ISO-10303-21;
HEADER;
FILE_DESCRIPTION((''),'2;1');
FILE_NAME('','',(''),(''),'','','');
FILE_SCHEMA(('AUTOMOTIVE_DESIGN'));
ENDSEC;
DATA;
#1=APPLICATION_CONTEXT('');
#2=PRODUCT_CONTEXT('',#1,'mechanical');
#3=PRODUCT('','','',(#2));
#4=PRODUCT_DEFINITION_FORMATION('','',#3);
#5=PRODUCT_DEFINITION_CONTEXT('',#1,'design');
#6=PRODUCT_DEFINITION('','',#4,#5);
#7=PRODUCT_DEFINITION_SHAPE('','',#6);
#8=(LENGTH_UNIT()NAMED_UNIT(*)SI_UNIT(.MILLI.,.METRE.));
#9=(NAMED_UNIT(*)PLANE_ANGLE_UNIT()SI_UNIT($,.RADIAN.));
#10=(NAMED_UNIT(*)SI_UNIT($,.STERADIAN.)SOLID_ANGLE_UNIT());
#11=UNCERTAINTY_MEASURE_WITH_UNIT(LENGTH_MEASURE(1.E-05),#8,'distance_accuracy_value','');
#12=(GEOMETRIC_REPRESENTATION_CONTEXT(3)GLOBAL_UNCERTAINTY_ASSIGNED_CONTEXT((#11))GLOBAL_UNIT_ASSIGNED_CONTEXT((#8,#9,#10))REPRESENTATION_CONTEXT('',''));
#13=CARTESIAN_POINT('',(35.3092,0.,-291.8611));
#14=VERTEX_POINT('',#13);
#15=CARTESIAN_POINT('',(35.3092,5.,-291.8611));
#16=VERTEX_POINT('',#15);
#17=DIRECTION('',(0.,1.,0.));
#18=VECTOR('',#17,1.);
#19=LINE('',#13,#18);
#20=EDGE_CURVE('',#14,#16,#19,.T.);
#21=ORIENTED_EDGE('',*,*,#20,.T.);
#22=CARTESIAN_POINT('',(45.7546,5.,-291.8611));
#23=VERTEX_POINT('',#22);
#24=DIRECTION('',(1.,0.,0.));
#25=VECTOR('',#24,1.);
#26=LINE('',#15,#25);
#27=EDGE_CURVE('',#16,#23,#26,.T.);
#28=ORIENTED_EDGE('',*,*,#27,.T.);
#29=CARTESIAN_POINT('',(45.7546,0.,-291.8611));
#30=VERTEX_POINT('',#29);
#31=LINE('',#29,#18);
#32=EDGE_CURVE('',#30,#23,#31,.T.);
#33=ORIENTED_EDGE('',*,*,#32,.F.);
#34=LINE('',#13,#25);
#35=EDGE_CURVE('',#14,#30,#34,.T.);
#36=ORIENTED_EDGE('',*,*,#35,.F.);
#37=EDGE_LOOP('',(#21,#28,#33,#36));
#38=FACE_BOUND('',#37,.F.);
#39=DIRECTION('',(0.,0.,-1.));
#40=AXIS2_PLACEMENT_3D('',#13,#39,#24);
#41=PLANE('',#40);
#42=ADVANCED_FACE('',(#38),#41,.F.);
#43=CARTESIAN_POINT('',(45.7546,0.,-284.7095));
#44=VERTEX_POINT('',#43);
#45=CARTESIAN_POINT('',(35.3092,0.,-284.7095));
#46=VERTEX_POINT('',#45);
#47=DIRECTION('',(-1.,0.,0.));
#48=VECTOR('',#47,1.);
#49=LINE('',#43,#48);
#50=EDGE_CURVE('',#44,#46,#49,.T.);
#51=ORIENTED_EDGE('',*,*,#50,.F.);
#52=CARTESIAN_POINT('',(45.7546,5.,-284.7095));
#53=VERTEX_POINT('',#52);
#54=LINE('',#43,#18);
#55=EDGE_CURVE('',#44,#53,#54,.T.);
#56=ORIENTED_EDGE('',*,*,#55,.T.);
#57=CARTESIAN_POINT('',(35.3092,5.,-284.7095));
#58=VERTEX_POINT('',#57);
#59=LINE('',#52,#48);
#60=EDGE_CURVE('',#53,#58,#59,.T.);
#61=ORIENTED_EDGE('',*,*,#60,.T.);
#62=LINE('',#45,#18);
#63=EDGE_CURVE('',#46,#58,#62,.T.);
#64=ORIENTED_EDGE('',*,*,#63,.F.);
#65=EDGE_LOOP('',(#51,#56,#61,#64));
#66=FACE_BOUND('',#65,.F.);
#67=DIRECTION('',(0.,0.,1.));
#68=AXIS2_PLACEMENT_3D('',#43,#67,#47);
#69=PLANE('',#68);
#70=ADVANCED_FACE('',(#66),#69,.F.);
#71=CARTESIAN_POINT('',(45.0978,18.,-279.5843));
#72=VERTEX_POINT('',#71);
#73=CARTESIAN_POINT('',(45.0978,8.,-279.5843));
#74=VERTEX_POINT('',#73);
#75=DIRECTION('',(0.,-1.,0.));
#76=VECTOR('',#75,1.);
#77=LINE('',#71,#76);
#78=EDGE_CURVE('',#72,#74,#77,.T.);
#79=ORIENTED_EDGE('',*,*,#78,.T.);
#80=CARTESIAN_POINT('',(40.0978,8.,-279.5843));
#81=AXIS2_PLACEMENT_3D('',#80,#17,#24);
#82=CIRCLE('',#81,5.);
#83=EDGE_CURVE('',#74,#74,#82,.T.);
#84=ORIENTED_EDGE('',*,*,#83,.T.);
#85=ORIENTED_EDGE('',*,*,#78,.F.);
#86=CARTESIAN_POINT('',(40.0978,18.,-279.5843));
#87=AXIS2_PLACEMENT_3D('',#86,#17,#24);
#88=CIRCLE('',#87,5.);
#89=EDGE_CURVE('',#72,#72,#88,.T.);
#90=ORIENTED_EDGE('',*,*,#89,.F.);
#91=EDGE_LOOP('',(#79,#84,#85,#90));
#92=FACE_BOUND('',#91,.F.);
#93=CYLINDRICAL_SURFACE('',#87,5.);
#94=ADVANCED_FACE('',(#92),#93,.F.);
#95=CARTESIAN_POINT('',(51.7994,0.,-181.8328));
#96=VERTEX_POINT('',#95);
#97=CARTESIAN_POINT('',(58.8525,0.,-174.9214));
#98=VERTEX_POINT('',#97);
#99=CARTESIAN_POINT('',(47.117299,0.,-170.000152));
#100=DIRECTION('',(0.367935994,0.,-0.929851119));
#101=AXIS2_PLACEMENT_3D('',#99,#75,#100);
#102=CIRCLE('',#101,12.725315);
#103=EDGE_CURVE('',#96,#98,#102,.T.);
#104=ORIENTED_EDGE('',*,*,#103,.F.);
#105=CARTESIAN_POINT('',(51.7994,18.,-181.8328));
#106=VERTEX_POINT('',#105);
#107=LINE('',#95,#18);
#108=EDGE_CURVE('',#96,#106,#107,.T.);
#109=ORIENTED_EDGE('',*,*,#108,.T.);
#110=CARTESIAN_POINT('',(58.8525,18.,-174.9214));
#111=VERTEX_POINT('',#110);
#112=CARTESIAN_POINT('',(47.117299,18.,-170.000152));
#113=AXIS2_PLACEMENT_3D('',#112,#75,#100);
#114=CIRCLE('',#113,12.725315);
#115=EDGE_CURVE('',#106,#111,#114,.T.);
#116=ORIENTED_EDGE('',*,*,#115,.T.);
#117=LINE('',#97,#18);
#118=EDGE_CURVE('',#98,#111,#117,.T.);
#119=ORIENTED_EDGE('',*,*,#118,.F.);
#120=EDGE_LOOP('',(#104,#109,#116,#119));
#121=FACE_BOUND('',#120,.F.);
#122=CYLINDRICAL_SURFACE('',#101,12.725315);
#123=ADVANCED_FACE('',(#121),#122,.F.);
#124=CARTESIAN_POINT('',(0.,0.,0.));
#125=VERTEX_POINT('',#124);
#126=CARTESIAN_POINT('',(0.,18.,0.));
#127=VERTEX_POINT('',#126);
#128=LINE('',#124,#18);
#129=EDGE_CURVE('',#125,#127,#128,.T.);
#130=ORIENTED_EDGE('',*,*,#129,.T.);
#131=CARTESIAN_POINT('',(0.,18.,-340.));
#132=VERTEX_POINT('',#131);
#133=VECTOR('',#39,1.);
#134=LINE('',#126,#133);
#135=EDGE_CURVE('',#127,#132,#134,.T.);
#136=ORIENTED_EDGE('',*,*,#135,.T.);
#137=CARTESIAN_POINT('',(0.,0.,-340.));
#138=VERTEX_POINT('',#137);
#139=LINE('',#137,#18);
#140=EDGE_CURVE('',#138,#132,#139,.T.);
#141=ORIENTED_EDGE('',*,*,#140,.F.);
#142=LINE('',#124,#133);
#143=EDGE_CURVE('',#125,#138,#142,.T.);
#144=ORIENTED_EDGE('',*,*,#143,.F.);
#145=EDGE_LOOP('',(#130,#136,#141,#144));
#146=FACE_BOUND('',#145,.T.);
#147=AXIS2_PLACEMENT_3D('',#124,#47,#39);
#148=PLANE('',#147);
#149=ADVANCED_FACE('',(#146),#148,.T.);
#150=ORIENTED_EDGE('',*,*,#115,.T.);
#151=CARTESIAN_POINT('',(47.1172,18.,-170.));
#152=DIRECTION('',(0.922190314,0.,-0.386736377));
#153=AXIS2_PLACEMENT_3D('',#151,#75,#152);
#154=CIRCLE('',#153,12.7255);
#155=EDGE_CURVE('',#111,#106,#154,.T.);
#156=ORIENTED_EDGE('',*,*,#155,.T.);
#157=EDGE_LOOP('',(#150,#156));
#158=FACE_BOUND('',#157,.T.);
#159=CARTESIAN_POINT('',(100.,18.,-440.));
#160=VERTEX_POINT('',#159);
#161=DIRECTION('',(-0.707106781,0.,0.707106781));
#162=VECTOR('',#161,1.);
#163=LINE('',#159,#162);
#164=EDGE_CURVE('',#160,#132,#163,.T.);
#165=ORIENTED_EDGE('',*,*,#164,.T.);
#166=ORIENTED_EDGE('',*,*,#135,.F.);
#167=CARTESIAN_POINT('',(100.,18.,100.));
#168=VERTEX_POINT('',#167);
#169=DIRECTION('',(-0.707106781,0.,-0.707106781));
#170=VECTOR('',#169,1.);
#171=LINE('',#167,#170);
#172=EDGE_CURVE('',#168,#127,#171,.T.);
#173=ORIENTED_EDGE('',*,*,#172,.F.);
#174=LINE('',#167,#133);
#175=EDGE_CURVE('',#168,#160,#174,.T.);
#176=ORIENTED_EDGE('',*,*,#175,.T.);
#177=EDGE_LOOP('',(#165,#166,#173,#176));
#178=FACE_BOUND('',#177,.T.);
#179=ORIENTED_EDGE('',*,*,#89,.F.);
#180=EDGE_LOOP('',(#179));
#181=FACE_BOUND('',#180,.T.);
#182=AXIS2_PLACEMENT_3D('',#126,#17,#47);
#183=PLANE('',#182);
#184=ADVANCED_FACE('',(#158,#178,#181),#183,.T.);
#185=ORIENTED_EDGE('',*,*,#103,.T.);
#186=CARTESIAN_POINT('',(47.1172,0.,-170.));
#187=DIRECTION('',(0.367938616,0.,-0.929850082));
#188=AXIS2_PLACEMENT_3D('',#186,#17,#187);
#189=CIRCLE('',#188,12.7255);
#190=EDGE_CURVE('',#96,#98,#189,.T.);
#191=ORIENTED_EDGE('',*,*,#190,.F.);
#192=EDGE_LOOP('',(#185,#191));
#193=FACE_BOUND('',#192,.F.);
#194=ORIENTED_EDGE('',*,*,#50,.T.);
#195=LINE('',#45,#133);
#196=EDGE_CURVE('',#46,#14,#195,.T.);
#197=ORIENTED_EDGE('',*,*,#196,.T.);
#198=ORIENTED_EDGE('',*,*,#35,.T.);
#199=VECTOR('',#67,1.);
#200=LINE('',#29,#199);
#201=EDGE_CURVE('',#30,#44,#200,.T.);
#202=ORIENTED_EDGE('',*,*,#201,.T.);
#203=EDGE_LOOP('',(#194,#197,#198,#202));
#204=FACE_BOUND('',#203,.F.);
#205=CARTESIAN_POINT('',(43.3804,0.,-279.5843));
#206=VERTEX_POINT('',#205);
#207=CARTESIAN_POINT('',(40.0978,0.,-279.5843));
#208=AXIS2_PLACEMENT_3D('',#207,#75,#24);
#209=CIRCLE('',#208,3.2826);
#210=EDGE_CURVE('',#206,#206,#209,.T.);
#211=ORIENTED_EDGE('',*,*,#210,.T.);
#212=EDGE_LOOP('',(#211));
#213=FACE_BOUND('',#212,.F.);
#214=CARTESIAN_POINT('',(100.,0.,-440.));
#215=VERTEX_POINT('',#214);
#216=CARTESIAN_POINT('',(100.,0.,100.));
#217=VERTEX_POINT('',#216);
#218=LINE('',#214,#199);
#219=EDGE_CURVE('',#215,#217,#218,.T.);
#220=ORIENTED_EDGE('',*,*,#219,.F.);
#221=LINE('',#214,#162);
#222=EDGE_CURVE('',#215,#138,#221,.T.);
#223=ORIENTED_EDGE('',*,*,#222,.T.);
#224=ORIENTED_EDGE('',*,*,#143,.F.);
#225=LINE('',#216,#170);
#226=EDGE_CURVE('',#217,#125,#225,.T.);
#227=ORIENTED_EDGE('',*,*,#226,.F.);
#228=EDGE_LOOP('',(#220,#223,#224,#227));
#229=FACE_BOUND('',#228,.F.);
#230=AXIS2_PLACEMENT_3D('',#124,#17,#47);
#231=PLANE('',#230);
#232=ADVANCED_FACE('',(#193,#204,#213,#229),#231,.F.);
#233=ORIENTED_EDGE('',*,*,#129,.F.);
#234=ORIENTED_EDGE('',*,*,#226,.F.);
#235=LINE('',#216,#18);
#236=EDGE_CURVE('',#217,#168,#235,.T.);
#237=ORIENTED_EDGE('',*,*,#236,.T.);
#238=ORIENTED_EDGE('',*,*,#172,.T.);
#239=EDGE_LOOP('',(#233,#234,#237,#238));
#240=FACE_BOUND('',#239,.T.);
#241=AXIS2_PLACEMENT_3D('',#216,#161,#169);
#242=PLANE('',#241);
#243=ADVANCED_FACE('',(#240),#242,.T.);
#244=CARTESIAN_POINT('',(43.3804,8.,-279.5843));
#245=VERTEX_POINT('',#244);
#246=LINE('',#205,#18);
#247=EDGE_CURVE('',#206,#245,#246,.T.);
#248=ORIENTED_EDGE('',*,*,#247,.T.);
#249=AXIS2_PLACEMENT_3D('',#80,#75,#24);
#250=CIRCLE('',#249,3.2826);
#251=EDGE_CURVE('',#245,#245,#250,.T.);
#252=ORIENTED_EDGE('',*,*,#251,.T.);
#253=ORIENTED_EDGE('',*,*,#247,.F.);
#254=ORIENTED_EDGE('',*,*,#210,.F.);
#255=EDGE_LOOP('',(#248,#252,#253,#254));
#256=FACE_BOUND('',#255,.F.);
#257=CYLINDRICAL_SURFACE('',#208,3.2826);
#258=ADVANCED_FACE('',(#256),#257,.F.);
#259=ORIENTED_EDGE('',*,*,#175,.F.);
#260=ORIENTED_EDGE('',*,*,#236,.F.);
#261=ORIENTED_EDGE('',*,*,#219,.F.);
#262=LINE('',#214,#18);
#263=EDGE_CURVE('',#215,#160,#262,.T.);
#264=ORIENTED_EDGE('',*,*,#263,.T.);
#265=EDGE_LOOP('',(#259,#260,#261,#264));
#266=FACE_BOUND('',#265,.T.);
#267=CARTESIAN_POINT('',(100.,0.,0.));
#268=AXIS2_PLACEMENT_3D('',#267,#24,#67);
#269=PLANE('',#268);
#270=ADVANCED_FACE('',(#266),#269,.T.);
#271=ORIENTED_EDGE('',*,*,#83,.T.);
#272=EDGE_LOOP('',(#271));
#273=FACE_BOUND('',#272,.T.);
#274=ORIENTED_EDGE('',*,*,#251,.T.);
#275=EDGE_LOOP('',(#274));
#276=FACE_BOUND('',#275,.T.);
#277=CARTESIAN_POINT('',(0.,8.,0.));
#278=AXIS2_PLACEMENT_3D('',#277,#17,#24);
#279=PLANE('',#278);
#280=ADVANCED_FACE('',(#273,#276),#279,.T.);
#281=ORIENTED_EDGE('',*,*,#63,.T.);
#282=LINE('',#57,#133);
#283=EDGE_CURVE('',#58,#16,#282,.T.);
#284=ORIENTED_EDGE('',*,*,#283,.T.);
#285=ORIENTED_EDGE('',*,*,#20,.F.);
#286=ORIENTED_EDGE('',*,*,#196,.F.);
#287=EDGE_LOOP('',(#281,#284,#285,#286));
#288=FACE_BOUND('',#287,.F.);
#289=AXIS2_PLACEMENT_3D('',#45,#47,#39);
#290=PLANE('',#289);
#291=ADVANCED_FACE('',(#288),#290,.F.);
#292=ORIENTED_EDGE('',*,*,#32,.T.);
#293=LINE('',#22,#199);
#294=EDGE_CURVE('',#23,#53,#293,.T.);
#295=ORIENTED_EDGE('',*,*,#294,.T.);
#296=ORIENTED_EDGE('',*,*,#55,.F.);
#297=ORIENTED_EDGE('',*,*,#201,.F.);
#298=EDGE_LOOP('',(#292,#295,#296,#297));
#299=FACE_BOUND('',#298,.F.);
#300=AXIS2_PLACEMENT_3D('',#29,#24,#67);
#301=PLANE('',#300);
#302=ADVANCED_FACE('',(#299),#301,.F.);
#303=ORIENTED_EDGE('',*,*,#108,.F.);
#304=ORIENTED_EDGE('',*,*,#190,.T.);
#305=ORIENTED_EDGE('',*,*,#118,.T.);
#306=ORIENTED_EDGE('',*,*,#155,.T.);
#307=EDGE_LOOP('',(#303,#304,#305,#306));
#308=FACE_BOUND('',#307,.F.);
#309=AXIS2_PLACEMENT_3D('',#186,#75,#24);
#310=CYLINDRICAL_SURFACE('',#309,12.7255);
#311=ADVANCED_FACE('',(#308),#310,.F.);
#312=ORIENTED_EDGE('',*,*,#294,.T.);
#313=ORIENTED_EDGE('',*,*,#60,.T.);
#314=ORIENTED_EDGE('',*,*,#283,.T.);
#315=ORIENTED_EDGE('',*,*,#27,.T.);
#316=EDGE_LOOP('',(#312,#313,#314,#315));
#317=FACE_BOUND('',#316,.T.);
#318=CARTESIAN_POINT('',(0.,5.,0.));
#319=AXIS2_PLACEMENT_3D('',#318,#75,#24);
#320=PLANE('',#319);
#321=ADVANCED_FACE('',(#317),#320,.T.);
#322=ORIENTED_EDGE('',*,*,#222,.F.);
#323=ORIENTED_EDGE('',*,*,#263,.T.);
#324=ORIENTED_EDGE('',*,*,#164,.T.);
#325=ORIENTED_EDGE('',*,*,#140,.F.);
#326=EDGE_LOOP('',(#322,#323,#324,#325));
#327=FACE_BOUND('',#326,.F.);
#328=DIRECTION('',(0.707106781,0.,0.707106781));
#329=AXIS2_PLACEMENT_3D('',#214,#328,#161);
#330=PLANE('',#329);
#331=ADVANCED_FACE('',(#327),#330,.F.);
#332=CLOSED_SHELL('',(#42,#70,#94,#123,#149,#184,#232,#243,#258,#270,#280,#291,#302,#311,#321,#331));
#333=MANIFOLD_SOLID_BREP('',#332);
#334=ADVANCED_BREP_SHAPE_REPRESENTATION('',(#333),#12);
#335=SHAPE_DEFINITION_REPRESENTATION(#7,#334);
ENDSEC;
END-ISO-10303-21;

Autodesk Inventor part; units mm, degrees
ref_plane "YZ Plane" through (0, 0, 0) normal (1, 0, 0) x (0, 1, 0)
ref_plane "XZ Plane" through (0, 0, 0) normal (0, 1, 0) x (-1, 0, 0)
ref_plane "XY Plane" through (0, 0, 0) normal (0, 0, 1) x (1, 0, 0)
sketch "Sketch1" plane through (0, 0, 0) normal (0, 1, 0) x (-1, 0, 0)
  line L0 (0, 0) -> (0, -340)
  line L1 (0, 0) -> (-100, 0)
  line L2 (-100, 0) -> (-100, 100)
  line L3 (-100, 100) -> (0, 0)
  line L4 (0, -340) -> (-100, -340)
  line L5 (-100, -340) -> (-100, -440)
  line L6 (-100, -440) -> (0, -340)
  line L7 (-100, -340) -> (-100, 0)
  dimension "d0" = 340
  dimension "d1" = 100
  dimension "d2" = 100
  dimension "d3" = 100
  dimension "d4" = 100
extrude "Extrusion1" add sketch "Sketch1" along normal blind 18
sketch "Sketch2" plane through (0, 0, 0) normal (0, -1, 0) x (1, 0, 0)
  line L0 (70, -367.7995) -> (70, -407.7995)
  line L1 (25, 17.2005) -> (25, -362.7995)
  arc A0 (51.7994, -181.8328) -> (58.8525, -174.9214) centre (47.1172, -170) ccw
  circle A1 centre (47.1172, -170) radius 12.7255
  line L2 (0, -340) -> (100, -440)
  line L3 (100, 100) -> (0, 0)
  line L4 (100, -440) -> (100, 100)
  line L5 (0, 0) -> (0, -340)
  line L6 (100, 100) -> (100, -440) projected
  line L7 (100, -170) -> (0, -170)
  point P0 (30, 22.2005)
extrude "Extrusion2" cut sketch "Sketch2" against normal blind 20 contours A1 L7 A0 | A1 L7
sketch "Sketch4" plane through (0, 18, 0) normal (0, 1, 0) x (1, 0, 0)
  circle A0 centre (40.0978, 279.5843) radius 3.2826
  line L0 (35.3115, 284.709) -> (45.7543, 284.709)
  line L1 (45.7543, 284.709) -> (45.7543, 291.8643)
  line L2 (45.7543, 291.8643) -> (35.3115, 291.8643)
  line L3 (35.3115, 291.8643) -> (35.3115, 284.709)
  line L4 (0, 340) -> (0, 0)
  line L5 (0, 340) -> (100, 440)
  line L6 (100, -100) -> (100, 440)
  line L7 (100, -100) -> (0, 0)
  dimension "d24" = 6.5652
extrude "Extrusion4" cut sketch "Sketch4" against normal blind 10 contours A0
sketch "Sketch6" plane through (0, 0, 0) normal (0, -1, 0) x (1, 0, 0)
  circle A0 centre (40.0978, -279.5843) radius 3.2826 projected
  circle A1 centre (40.0978, -279.5843) radius 3.2826 projected
  circle A2 centre (40.0978, -279.5843) radius 5
  point P0 (0, 0)
  dimension "d14" = 10
sketch "Sketch7" plane through (0, 18, 0) normal (0, 1, 0) x (1, 0, 0)
  circle A0 centre (40.0978, 279.5843) radius 3.2826
  line L0 (35.3115, 284.709) -> (45.7543, 284.709)
  line L1 (45.7543, 284.709) -> (45.7543, 291.8643)
  line L2 (45.7543, 291.8643) -> (35.3115, 291.8643)
  line L3 (35.3115, 291.8643) -> (35.3115, 284.709)
  line L4 (0, 340) -> (0, 0)
  line L5 (0, 340) -> (100, 440)
  line L6 (100, -100) -> (100, 440)
  line L7 (100, -100) -> (0, 0)
  circle A1 centre (40.0978, 279.5843) radius 5
  dimension "d19" = 10
extrude "Extrusion7" cut sketch "Sketch7" against normal blind 10 contours A0 | A1
extrude "Extrusion8" cut sketch "Sketch6" against normal blind 18 contours A0
sketch "Sketch9" plane through (0, 0, 0) normal (0, -1, 0) x (1, 0, 0)
  circle A0 centre (40.0978, -279.5843) radius 3.2826 projected
  circle A1 centre (47.1172, -170) radius 12.7255 projected
  line L0 (0, 0) -> (100, 100) projected
  line L1 (0, -340) -> (0, 0) projected
  line L2 (100, -440) -> (0, -340) projected
  line L3 (100, 100) -> (100, -440) projected
  line L4 (35.3092, -291.8611) -> (45.7546, -291.8611)
  line L5 (45.7546, -291.8611) -> (45.7546, -284.7095)
  line L6 (45.7546, -284.7095) -> (35.3092, -284.7095)
  line L7 (35.3092, -284.7095) -> (35.3092, -291.8611)
extrude "Extrusion9" cut sketch "Sketch9" against normal blind 5 contours L7 L6 L5 L4
properties part number "Fata_2"
